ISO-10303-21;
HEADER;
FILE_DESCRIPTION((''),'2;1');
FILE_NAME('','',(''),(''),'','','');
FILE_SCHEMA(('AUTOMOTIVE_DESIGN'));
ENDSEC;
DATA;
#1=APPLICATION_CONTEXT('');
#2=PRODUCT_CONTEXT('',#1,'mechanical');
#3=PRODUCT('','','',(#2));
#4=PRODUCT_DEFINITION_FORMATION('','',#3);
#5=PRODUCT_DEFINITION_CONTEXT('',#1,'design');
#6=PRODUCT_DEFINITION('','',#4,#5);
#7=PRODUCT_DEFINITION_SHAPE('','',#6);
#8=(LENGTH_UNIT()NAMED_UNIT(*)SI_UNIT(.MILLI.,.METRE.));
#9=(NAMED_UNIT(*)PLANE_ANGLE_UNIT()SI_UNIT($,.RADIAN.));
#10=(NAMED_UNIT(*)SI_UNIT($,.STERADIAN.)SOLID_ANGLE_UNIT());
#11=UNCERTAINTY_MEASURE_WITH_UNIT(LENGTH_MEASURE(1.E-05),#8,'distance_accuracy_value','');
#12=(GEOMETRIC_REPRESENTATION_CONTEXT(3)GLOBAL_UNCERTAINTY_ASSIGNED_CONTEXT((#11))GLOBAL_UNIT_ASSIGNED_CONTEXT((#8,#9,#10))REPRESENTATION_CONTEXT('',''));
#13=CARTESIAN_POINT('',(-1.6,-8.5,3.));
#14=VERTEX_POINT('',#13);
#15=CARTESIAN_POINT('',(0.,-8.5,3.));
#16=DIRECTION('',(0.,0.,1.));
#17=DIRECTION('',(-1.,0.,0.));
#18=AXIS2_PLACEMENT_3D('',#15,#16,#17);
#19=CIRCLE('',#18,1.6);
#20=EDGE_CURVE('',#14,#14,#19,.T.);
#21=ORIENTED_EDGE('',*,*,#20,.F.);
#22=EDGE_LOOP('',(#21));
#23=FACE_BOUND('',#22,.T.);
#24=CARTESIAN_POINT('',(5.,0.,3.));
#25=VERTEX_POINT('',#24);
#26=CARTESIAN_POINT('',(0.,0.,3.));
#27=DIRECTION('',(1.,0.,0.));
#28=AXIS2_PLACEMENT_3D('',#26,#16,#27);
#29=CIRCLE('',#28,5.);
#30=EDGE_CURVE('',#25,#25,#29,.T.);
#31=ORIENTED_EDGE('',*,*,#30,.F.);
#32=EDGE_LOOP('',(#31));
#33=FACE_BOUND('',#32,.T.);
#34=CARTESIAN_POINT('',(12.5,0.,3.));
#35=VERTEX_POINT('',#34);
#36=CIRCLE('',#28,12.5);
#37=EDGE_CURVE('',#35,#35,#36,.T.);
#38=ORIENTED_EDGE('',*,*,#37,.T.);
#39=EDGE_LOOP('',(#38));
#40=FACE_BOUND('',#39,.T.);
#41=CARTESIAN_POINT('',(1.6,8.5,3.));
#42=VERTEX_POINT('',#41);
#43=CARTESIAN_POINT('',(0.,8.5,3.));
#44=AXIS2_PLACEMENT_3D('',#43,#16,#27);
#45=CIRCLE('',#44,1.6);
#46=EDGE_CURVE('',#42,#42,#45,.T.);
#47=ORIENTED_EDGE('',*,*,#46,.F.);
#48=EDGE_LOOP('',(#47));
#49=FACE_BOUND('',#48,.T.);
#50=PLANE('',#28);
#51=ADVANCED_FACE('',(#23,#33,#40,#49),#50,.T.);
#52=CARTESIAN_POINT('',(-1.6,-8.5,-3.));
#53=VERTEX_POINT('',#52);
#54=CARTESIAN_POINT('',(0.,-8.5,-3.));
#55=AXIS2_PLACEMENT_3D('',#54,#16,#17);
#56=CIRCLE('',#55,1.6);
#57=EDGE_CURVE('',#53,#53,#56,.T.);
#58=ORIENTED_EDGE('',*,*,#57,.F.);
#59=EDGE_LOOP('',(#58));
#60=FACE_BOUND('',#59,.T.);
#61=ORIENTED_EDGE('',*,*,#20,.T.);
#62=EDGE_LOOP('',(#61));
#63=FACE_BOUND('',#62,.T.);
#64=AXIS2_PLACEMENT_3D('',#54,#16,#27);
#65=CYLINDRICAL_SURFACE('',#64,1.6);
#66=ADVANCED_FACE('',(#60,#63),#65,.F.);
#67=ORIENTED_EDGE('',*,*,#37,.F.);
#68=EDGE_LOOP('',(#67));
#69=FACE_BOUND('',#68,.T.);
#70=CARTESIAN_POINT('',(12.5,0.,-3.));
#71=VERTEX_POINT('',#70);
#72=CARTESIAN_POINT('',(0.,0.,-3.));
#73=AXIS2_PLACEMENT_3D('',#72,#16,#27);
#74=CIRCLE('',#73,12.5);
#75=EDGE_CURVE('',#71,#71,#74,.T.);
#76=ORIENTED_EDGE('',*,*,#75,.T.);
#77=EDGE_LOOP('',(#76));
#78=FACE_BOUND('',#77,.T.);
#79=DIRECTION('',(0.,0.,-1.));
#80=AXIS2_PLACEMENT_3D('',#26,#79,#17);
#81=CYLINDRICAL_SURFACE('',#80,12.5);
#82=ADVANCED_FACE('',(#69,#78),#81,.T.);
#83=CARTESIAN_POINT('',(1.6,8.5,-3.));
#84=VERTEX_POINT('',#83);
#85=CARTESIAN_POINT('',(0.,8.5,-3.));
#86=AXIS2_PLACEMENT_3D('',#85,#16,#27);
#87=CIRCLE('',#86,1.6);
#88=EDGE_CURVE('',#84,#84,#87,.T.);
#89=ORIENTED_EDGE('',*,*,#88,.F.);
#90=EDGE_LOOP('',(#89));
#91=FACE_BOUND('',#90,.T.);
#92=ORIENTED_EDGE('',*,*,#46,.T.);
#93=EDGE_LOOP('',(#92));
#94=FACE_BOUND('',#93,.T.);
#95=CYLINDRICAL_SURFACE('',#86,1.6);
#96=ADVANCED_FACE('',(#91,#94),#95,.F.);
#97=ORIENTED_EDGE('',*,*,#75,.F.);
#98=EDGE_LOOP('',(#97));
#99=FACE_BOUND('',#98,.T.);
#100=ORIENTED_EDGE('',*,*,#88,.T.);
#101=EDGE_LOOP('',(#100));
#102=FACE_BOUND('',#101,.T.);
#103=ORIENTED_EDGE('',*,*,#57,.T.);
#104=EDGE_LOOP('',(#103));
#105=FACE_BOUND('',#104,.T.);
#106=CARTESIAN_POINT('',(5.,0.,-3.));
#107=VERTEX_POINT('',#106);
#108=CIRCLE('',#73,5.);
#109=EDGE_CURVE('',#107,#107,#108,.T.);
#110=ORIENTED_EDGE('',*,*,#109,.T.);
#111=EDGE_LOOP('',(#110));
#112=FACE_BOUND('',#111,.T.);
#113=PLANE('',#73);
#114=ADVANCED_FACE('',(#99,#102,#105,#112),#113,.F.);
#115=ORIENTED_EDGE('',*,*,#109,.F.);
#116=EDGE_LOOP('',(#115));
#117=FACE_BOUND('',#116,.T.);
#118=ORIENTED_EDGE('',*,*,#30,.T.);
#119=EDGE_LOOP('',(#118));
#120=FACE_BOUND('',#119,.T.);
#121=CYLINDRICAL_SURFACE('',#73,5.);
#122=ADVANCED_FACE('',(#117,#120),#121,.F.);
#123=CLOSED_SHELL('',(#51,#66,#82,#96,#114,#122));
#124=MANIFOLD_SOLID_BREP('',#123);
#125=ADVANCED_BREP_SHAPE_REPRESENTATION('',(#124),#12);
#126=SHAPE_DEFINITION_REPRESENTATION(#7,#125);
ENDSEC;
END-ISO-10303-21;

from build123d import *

# Parameters (mm, degrees)
SKETCH_1_R               = 12.5
EXTRUDE_1_DEPTH          = 3
CUT_EXTRUDE_1_DEPTH      = 18.930421077
CUT_EXTRUDE_1_DEPTH_BACK = 18.930421077
SKETCH_2_R               = 5
SKETCH_3_R               = 1.6
CUT_EXTRUDE_2_DEPTH      = 19.668154703
PATTERN_CIRCULAR_1_COUNT = 2


with BuildPart() as part:
    # ｽｹｯﾁ1 → ﾎﾞｽ - 押し出し1 (new, symmetric)
    with BuildSketch(Plane.XY):
        Circle(SKETCH_1_R)
    extrude(amount=EXTRUDE_1_DEPTH, both=True)

    # ｽｹｯﾁ2 → ｶｯﾄ - 押し出し1 (cut, two sides: drawn at the far end of the back side and taken through both)
    with BuildSketch(Plane.XY.offset(-CUT_EXTRUDE_1_DEPTH_BACK)):
        Circle(SKETCH_2_R)
    extrude(amount=CUT_EXTRUDE_1_DEPTH + CUT_EXTRUDE_1_DEPTH_BACK, mode=Mode.SUBTRACT)

    # ｽｹｯﾁ3 → ｶｯﾄ - 押し出し2 (cut, symmetric)
    with BuildSketch(Plane.XY.offset(3)):
        with Locations((0, 8.5)):
            Circle(SKETCH_3_R)
    cut_extrude_2 = extrude(amount=CUT_EXTRUDE_2_DEPTH, both=True, mode=Mode.SUBTRACT)

    # 円形ﾊﾟﾀｰﾝ1: ｶｯﾄ - 押し出し2 ×2 about axis
    pattern_circular_1_axis = Axis((0, 0, 0), (0, 0, 1))
    for i in range(1, PATTERN_CIRCULAR_1_COUNT):
        add(cut_extrude_2.rotate(pattern_circular_1_axis, i * 360 / PATTERN_CIRCULAR_1_COUNT), mode=Mode.SUBTRACT)


solid = part.part
